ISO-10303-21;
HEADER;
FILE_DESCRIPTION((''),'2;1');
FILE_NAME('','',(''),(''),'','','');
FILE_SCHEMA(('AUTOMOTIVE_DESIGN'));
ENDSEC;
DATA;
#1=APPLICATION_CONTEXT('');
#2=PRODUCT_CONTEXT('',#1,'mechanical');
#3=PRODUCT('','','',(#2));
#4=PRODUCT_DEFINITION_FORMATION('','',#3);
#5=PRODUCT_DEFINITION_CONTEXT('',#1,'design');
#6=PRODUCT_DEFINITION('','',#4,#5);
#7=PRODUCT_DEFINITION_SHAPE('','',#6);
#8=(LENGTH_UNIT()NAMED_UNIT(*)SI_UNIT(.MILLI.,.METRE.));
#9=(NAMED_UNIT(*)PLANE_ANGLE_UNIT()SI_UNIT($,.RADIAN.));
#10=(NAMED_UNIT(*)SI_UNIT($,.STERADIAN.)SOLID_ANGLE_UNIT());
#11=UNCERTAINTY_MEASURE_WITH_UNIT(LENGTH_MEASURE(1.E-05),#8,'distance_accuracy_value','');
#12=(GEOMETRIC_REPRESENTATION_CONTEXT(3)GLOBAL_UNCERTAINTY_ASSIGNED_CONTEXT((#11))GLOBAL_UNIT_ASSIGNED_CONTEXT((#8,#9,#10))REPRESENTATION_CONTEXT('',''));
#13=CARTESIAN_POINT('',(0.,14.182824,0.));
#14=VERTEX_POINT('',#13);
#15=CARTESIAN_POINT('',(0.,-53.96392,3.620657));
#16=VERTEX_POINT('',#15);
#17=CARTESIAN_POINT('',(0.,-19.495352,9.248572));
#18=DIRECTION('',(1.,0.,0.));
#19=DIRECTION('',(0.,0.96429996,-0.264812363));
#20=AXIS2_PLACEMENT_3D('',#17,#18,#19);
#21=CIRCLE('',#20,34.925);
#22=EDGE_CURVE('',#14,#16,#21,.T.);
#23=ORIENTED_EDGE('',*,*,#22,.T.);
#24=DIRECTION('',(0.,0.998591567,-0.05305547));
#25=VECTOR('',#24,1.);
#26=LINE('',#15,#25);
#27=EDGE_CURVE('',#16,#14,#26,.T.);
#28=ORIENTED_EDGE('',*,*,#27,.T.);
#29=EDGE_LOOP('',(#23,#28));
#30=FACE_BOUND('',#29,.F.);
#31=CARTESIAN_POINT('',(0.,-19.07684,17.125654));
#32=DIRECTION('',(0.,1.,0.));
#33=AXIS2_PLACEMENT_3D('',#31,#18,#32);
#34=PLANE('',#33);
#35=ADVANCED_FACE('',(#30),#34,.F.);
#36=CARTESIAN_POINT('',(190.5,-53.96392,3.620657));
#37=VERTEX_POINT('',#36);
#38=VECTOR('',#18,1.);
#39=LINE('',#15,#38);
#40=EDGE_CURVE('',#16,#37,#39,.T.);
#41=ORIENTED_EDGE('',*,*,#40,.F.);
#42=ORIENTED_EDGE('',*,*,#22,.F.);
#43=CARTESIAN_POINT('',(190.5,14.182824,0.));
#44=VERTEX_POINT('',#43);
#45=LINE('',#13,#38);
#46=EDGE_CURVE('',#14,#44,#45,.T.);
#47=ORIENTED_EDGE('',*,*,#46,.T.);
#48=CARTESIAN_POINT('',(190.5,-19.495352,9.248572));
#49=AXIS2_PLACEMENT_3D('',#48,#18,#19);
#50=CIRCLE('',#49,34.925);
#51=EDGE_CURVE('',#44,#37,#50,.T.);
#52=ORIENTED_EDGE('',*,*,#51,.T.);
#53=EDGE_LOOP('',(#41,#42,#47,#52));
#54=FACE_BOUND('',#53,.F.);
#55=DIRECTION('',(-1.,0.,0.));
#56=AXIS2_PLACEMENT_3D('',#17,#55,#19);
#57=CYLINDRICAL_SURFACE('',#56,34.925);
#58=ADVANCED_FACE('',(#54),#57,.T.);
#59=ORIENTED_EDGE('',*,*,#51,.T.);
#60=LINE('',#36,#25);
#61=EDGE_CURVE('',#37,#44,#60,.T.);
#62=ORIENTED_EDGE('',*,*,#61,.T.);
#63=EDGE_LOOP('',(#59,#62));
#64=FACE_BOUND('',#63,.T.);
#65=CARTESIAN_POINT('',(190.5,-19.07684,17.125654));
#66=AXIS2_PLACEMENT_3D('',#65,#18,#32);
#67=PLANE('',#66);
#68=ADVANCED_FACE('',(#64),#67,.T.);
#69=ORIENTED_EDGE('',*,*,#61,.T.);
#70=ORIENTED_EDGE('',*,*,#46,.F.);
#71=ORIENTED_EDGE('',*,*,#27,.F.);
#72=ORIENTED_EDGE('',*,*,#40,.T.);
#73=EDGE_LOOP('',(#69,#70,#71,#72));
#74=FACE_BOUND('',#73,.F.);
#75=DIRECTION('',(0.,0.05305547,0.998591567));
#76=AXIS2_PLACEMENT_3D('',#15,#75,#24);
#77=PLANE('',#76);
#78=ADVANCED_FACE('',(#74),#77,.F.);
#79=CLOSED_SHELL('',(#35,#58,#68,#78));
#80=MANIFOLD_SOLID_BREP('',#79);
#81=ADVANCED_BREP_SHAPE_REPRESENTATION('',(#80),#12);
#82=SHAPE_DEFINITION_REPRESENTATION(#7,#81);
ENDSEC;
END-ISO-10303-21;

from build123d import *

# Parameters (mm, degrees)
F1_DEPTH = 190.5


with BuildPart() as f1:
    # F0 (on Right) → F1 (new body)
    with BuildSketch(Plane.YZ):
        with BuildLine():
            Line((-53.96392, 3.620657), (14.182824, 0))
            ThreePointArc((14.182824, 0), (-17.64239, 44.124382), (-53.96392, 3.620657))
        make_face()
    extrude(amount=F1_DEPTH)


solid = f1.part
